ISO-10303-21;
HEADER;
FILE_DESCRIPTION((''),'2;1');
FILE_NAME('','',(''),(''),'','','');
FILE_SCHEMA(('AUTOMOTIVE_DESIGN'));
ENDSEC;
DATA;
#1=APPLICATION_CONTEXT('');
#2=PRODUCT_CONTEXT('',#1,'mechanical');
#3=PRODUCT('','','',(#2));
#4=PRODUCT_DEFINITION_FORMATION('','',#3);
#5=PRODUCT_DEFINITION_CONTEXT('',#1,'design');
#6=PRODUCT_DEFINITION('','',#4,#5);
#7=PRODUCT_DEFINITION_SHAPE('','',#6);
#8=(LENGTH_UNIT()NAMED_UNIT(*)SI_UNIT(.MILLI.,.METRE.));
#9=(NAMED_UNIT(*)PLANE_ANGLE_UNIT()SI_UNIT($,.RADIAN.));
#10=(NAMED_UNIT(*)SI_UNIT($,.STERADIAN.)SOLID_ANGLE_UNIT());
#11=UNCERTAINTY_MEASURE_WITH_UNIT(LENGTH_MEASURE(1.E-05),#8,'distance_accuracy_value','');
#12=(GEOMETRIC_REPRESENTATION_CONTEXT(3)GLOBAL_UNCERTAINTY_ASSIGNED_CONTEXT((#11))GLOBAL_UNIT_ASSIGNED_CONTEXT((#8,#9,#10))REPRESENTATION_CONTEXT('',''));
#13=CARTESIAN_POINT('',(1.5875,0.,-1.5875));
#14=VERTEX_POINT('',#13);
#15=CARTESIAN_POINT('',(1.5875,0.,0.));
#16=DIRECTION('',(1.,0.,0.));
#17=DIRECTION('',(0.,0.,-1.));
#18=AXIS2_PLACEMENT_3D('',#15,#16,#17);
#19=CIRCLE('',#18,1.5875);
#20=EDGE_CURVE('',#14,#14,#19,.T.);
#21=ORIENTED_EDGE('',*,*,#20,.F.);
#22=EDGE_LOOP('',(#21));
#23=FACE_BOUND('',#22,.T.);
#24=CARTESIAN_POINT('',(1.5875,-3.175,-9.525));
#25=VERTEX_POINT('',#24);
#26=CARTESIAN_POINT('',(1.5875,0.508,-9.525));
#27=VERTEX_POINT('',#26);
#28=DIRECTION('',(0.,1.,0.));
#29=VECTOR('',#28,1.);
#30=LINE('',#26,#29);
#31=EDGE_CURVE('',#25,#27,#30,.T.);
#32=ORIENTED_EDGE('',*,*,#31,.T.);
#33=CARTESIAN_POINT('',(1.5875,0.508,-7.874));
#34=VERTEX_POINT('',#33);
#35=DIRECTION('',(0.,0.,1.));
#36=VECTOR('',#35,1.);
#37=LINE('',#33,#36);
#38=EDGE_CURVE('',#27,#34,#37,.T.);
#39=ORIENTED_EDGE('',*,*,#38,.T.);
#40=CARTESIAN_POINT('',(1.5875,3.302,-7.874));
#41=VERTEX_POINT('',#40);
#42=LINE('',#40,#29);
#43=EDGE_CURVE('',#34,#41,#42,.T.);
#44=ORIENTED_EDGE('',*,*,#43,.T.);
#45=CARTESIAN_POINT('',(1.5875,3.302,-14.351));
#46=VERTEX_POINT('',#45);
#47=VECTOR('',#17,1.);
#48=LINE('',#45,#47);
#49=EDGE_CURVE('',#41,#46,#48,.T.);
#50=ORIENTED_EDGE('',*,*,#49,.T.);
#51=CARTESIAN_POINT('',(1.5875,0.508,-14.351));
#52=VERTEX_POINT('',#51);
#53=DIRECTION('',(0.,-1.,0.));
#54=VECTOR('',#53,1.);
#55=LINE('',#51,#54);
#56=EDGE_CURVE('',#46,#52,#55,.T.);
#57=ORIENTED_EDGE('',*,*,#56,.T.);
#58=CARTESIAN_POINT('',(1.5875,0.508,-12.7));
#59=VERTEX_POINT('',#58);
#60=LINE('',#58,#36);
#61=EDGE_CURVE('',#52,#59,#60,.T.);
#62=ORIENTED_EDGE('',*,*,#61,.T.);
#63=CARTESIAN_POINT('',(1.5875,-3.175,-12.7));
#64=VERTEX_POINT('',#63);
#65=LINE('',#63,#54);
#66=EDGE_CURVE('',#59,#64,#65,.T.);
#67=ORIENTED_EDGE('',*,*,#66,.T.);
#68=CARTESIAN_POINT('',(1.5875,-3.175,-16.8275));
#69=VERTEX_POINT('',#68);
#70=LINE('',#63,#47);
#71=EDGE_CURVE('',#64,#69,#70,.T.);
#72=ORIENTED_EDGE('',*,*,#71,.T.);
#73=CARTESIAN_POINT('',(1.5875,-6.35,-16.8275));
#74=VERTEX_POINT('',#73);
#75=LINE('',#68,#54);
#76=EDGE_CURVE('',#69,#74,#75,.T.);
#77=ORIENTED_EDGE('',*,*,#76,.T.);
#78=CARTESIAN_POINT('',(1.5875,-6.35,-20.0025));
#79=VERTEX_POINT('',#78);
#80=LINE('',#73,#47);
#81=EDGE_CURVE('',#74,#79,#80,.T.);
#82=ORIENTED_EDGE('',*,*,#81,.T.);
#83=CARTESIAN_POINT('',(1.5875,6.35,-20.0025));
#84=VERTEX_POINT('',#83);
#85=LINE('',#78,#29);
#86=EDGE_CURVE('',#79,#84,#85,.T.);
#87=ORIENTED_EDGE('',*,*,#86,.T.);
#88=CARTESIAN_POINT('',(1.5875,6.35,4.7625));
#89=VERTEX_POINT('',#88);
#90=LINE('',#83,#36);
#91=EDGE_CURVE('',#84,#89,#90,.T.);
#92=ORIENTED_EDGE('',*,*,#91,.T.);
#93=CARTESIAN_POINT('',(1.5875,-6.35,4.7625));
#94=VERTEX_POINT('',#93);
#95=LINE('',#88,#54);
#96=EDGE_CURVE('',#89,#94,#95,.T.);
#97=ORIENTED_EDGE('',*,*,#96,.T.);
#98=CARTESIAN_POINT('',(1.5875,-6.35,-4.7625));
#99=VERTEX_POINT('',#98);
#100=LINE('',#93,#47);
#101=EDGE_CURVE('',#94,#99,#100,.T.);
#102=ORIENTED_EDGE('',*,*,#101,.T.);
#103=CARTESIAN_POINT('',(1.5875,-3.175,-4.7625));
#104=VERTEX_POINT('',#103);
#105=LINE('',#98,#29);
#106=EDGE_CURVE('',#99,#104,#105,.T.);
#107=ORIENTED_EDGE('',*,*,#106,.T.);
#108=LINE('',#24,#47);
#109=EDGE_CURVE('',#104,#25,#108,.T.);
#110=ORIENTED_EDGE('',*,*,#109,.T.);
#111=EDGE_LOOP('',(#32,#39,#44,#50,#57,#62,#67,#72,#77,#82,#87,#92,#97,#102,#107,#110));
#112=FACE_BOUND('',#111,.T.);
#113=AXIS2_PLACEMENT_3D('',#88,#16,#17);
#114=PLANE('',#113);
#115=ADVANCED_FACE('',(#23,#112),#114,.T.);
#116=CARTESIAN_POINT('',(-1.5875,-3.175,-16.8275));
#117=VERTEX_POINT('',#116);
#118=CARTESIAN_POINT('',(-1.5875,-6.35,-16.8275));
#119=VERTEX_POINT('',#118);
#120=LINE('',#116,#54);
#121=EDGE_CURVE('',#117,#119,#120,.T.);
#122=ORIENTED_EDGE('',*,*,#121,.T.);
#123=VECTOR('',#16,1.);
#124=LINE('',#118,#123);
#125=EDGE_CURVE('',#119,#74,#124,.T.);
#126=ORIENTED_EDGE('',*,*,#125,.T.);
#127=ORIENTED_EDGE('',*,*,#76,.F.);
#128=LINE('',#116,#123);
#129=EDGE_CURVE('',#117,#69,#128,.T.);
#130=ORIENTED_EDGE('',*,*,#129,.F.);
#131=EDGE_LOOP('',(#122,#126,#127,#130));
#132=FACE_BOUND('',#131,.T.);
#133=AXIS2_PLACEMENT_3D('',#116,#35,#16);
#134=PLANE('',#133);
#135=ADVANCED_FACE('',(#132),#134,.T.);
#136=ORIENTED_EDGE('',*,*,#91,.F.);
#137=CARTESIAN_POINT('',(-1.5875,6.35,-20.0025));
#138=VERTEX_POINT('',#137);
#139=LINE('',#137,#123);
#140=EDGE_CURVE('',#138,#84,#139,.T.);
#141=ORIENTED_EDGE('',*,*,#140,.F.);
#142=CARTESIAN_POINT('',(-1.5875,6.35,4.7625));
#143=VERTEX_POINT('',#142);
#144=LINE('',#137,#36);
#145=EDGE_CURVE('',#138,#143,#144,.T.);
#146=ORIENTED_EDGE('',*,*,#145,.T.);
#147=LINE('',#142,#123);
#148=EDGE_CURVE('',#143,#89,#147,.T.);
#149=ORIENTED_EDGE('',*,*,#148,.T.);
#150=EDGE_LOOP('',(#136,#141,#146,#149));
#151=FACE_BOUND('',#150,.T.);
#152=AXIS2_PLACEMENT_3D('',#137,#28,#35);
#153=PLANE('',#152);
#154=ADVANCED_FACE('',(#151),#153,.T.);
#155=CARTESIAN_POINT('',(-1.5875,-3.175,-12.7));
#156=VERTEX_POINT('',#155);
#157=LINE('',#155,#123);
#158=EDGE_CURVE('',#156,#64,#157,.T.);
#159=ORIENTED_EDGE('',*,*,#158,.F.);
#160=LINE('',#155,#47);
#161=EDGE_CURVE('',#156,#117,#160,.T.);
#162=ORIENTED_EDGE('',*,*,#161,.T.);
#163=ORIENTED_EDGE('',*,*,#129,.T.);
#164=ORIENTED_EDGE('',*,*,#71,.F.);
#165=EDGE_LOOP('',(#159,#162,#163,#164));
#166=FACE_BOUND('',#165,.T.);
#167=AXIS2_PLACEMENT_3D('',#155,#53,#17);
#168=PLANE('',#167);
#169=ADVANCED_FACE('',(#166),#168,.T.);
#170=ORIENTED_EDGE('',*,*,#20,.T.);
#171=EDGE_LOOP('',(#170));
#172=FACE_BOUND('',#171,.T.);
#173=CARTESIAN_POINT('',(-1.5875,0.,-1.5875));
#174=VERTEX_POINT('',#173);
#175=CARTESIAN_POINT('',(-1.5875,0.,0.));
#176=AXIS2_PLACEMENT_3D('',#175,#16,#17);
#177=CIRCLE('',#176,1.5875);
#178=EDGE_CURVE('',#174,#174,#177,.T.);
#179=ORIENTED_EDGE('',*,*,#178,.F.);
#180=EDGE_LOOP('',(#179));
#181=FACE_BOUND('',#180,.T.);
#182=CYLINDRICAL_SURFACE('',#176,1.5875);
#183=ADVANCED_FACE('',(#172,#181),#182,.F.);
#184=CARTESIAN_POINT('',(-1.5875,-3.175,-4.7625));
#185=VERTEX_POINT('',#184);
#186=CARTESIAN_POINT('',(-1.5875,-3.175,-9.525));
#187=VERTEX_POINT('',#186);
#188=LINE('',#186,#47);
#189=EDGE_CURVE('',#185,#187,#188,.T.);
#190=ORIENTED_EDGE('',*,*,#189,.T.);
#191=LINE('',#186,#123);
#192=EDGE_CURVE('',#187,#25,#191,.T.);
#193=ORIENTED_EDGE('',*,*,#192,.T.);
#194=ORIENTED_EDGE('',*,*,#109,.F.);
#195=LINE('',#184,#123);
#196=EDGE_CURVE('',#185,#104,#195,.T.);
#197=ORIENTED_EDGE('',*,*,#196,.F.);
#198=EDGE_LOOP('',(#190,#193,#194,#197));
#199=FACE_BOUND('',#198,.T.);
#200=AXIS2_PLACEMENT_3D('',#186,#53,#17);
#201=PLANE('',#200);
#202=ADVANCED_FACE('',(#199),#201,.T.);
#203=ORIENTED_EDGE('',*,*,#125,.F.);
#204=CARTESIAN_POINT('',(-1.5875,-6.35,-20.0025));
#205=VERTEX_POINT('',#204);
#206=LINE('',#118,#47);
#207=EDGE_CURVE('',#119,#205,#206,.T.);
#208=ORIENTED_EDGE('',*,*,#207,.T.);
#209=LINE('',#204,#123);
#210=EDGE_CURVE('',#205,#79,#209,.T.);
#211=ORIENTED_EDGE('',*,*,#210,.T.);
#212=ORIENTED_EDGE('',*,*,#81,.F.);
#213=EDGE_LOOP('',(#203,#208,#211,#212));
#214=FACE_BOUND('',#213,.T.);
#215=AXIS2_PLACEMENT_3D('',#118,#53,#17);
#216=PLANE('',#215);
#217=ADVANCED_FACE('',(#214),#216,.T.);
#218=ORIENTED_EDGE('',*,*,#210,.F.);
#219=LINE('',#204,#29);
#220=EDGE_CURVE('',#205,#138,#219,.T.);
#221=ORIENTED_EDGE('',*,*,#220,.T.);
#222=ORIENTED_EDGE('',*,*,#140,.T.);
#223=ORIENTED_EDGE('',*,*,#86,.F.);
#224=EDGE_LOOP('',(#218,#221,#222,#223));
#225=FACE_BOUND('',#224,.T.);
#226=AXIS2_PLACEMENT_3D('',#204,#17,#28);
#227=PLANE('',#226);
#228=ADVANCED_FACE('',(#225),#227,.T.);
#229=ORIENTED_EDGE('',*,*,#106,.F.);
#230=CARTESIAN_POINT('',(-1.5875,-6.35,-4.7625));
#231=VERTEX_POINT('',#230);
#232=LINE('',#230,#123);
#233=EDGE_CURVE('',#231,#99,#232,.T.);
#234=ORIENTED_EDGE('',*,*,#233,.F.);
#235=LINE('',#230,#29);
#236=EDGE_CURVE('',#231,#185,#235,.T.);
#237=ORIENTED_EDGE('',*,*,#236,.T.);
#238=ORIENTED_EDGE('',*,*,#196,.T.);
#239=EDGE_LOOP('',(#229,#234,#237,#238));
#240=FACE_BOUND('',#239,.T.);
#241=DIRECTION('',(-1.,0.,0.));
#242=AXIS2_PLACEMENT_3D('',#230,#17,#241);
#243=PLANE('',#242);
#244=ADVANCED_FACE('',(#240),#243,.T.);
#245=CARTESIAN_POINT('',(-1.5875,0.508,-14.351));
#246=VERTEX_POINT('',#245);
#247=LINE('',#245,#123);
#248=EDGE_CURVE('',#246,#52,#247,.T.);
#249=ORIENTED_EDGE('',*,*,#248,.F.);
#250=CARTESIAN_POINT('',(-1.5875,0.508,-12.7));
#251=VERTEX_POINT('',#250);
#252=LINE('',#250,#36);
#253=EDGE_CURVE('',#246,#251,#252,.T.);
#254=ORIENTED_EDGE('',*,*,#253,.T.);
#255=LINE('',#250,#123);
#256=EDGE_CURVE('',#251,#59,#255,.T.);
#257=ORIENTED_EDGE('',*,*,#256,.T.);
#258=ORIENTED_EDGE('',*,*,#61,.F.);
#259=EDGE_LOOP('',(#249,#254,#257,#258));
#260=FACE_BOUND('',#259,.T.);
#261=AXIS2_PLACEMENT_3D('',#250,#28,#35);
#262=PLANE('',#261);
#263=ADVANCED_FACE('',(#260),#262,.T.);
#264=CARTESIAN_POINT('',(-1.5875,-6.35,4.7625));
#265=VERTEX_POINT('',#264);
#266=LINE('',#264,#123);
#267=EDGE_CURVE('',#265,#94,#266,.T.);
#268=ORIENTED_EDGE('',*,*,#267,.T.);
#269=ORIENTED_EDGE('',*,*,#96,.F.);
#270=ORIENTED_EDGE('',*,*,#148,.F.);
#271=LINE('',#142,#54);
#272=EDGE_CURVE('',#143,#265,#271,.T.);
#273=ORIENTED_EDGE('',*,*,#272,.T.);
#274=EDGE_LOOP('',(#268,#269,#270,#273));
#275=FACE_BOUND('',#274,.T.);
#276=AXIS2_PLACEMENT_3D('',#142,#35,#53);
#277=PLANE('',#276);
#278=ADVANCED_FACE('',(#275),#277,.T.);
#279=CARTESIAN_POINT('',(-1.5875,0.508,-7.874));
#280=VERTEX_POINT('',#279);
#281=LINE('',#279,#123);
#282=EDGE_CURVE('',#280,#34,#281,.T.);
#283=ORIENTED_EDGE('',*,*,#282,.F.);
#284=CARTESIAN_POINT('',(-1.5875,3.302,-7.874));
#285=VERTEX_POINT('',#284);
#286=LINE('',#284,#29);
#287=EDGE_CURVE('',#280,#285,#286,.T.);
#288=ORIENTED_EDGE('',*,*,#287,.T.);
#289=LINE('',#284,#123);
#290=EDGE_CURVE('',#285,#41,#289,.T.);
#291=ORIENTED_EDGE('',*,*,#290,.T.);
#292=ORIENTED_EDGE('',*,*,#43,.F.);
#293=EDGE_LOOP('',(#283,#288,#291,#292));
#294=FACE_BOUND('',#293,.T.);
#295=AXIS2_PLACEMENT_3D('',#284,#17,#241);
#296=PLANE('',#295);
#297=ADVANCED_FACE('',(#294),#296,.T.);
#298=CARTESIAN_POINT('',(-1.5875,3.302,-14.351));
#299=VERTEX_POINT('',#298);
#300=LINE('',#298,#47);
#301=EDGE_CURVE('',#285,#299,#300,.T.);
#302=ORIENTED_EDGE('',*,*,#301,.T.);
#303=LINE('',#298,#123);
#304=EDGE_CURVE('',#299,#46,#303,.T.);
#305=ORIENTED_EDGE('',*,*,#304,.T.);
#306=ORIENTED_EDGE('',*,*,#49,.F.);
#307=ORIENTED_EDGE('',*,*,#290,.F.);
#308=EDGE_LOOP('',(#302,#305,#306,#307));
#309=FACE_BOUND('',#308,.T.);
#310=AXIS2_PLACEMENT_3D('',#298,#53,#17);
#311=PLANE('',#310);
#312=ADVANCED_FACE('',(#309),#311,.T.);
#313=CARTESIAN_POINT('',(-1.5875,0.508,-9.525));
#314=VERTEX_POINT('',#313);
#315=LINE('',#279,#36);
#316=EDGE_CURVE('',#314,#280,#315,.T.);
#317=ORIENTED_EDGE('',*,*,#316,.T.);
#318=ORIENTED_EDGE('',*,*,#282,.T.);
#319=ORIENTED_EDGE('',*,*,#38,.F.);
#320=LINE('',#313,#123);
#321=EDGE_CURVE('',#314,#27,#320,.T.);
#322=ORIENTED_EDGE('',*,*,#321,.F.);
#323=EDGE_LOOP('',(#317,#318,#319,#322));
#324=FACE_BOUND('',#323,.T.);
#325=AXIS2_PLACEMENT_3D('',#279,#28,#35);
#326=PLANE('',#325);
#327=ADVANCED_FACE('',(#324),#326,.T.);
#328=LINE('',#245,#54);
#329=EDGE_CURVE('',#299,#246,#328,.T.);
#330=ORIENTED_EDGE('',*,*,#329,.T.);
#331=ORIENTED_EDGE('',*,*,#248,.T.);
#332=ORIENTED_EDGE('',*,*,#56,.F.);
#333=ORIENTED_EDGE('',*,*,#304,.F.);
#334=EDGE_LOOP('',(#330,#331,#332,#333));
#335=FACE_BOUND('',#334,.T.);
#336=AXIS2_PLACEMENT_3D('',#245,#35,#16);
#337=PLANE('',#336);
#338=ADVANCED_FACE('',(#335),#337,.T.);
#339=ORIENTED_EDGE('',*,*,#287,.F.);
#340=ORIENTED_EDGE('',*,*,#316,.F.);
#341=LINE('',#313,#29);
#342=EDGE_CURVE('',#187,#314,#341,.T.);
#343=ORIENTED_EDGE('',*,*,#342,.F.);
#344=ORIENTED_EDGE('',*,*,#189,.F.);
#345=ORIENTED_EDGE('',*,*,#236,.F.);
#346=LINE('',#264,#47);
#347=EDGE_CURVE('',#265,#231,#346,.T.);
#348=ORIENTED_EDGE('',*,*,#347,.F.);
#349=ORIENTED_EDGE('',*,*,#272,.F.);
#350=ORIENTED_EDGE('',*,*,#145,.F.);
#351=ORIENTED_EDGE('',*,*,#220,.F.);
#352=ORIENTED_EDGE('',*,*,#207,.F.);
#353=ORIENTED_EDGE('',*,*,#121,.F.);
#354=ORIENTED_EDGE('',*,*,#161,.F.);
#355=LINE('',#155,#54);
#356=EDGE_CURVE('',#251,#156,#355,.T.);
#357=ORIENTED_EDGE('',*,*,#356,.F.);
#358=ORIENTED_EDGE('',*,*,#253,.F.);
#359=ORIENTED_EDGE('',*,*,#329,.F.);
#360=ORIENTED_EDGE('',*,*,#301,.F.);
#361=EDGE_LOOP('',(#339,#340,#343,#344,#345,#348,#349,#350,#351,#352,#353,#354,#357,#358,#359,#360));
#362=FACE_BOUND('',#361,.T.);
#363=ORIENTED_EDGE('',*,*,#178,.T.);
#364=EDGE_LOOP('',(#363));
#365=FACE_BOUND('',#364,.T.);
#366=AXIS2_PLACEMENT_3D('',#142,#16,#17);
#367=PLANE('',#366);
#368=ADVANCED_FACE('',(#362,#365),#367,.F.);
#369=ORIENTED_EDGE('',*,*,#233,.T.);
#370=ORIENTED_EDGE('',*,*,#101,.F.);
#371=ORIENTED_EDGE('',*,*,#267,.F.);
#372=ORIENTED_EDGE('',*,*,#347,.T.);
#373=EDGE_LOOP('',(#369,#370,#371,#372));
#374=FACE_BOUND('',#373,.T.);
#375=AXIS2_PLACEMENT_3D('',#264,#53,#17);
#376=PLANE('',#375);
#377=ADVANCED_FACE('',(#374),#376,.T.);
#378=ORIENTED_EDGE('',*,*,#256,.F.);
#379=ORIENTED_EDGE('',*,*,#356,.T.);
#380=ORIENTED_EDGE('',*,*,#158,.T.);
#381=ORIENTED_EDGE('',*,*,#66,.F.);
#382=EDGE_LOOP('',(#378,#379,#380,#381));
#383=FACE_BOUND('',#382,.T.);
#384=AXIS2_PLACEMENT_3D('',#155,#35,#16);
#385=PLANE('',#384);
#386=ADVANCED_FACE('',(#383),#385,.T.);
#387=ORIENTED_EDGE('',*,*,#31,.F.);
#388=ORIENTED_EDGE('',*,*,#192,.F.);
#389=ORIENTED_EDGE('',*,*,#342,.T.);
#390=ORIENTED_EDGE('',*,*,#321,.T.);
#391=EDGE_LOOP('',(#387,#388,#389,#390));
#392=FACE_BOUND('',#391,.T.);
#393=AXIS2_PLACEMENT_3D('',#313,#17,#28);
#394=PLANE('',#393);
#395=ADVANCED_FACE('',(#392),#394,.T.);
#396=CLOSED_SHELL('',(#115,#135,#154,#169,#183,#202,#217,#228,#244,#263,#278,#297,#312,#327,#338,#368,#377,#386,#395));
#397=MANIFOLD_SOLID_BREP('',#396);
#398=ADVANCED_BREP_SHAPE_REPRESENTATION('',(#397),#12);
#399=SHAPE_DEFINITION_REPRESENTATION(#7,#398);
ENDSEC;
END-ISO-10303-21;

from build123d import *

# Parameters (mm, degrees)
BOSS_EXTRUDE1_DEPTH      = 1.5875
BOSS_EXTRUDE1_DEPTH_BACK = 1.5875
SKETCH2_R                = 1.5875


with BuildPart() as part:
    # Sketch2 → Boss-Extrude1 (new, two sides: drawn at the far end of the back side and taken through both)
    with BuildSketch(Plane(origin=(0, 0, 0), x_dir=(0, 0, -1), z_dir=(1, 0, 0)).offset(-BOSS_EXTRUDE1_DEPTH_BACK)):
        Polygon((-4.7625, 6.35), (-4.7625, -6.35), (4.7625, -6.35), (4.7625, -3.175), (9.525, -3.175), (9.525, 0.508), (7.874, 0.508), (7.874, 3.302), (14.351, 3.302), (14.351, 0.508), (12.7, 0.508), (12.7, -3.175), (16.8275, -3.175), (16.8275, -6.35), (20.0025, -6.35), (20.0025, 6.35), align=None)
        Circle(SKETCH2_R, mode=Mode.SUBTRACT)
    extrude(amount=BOSS_EXTRUDE1_DEPTH + BOSS_EXTRUDE1_DEPTH_BACK)


solid = part.part
